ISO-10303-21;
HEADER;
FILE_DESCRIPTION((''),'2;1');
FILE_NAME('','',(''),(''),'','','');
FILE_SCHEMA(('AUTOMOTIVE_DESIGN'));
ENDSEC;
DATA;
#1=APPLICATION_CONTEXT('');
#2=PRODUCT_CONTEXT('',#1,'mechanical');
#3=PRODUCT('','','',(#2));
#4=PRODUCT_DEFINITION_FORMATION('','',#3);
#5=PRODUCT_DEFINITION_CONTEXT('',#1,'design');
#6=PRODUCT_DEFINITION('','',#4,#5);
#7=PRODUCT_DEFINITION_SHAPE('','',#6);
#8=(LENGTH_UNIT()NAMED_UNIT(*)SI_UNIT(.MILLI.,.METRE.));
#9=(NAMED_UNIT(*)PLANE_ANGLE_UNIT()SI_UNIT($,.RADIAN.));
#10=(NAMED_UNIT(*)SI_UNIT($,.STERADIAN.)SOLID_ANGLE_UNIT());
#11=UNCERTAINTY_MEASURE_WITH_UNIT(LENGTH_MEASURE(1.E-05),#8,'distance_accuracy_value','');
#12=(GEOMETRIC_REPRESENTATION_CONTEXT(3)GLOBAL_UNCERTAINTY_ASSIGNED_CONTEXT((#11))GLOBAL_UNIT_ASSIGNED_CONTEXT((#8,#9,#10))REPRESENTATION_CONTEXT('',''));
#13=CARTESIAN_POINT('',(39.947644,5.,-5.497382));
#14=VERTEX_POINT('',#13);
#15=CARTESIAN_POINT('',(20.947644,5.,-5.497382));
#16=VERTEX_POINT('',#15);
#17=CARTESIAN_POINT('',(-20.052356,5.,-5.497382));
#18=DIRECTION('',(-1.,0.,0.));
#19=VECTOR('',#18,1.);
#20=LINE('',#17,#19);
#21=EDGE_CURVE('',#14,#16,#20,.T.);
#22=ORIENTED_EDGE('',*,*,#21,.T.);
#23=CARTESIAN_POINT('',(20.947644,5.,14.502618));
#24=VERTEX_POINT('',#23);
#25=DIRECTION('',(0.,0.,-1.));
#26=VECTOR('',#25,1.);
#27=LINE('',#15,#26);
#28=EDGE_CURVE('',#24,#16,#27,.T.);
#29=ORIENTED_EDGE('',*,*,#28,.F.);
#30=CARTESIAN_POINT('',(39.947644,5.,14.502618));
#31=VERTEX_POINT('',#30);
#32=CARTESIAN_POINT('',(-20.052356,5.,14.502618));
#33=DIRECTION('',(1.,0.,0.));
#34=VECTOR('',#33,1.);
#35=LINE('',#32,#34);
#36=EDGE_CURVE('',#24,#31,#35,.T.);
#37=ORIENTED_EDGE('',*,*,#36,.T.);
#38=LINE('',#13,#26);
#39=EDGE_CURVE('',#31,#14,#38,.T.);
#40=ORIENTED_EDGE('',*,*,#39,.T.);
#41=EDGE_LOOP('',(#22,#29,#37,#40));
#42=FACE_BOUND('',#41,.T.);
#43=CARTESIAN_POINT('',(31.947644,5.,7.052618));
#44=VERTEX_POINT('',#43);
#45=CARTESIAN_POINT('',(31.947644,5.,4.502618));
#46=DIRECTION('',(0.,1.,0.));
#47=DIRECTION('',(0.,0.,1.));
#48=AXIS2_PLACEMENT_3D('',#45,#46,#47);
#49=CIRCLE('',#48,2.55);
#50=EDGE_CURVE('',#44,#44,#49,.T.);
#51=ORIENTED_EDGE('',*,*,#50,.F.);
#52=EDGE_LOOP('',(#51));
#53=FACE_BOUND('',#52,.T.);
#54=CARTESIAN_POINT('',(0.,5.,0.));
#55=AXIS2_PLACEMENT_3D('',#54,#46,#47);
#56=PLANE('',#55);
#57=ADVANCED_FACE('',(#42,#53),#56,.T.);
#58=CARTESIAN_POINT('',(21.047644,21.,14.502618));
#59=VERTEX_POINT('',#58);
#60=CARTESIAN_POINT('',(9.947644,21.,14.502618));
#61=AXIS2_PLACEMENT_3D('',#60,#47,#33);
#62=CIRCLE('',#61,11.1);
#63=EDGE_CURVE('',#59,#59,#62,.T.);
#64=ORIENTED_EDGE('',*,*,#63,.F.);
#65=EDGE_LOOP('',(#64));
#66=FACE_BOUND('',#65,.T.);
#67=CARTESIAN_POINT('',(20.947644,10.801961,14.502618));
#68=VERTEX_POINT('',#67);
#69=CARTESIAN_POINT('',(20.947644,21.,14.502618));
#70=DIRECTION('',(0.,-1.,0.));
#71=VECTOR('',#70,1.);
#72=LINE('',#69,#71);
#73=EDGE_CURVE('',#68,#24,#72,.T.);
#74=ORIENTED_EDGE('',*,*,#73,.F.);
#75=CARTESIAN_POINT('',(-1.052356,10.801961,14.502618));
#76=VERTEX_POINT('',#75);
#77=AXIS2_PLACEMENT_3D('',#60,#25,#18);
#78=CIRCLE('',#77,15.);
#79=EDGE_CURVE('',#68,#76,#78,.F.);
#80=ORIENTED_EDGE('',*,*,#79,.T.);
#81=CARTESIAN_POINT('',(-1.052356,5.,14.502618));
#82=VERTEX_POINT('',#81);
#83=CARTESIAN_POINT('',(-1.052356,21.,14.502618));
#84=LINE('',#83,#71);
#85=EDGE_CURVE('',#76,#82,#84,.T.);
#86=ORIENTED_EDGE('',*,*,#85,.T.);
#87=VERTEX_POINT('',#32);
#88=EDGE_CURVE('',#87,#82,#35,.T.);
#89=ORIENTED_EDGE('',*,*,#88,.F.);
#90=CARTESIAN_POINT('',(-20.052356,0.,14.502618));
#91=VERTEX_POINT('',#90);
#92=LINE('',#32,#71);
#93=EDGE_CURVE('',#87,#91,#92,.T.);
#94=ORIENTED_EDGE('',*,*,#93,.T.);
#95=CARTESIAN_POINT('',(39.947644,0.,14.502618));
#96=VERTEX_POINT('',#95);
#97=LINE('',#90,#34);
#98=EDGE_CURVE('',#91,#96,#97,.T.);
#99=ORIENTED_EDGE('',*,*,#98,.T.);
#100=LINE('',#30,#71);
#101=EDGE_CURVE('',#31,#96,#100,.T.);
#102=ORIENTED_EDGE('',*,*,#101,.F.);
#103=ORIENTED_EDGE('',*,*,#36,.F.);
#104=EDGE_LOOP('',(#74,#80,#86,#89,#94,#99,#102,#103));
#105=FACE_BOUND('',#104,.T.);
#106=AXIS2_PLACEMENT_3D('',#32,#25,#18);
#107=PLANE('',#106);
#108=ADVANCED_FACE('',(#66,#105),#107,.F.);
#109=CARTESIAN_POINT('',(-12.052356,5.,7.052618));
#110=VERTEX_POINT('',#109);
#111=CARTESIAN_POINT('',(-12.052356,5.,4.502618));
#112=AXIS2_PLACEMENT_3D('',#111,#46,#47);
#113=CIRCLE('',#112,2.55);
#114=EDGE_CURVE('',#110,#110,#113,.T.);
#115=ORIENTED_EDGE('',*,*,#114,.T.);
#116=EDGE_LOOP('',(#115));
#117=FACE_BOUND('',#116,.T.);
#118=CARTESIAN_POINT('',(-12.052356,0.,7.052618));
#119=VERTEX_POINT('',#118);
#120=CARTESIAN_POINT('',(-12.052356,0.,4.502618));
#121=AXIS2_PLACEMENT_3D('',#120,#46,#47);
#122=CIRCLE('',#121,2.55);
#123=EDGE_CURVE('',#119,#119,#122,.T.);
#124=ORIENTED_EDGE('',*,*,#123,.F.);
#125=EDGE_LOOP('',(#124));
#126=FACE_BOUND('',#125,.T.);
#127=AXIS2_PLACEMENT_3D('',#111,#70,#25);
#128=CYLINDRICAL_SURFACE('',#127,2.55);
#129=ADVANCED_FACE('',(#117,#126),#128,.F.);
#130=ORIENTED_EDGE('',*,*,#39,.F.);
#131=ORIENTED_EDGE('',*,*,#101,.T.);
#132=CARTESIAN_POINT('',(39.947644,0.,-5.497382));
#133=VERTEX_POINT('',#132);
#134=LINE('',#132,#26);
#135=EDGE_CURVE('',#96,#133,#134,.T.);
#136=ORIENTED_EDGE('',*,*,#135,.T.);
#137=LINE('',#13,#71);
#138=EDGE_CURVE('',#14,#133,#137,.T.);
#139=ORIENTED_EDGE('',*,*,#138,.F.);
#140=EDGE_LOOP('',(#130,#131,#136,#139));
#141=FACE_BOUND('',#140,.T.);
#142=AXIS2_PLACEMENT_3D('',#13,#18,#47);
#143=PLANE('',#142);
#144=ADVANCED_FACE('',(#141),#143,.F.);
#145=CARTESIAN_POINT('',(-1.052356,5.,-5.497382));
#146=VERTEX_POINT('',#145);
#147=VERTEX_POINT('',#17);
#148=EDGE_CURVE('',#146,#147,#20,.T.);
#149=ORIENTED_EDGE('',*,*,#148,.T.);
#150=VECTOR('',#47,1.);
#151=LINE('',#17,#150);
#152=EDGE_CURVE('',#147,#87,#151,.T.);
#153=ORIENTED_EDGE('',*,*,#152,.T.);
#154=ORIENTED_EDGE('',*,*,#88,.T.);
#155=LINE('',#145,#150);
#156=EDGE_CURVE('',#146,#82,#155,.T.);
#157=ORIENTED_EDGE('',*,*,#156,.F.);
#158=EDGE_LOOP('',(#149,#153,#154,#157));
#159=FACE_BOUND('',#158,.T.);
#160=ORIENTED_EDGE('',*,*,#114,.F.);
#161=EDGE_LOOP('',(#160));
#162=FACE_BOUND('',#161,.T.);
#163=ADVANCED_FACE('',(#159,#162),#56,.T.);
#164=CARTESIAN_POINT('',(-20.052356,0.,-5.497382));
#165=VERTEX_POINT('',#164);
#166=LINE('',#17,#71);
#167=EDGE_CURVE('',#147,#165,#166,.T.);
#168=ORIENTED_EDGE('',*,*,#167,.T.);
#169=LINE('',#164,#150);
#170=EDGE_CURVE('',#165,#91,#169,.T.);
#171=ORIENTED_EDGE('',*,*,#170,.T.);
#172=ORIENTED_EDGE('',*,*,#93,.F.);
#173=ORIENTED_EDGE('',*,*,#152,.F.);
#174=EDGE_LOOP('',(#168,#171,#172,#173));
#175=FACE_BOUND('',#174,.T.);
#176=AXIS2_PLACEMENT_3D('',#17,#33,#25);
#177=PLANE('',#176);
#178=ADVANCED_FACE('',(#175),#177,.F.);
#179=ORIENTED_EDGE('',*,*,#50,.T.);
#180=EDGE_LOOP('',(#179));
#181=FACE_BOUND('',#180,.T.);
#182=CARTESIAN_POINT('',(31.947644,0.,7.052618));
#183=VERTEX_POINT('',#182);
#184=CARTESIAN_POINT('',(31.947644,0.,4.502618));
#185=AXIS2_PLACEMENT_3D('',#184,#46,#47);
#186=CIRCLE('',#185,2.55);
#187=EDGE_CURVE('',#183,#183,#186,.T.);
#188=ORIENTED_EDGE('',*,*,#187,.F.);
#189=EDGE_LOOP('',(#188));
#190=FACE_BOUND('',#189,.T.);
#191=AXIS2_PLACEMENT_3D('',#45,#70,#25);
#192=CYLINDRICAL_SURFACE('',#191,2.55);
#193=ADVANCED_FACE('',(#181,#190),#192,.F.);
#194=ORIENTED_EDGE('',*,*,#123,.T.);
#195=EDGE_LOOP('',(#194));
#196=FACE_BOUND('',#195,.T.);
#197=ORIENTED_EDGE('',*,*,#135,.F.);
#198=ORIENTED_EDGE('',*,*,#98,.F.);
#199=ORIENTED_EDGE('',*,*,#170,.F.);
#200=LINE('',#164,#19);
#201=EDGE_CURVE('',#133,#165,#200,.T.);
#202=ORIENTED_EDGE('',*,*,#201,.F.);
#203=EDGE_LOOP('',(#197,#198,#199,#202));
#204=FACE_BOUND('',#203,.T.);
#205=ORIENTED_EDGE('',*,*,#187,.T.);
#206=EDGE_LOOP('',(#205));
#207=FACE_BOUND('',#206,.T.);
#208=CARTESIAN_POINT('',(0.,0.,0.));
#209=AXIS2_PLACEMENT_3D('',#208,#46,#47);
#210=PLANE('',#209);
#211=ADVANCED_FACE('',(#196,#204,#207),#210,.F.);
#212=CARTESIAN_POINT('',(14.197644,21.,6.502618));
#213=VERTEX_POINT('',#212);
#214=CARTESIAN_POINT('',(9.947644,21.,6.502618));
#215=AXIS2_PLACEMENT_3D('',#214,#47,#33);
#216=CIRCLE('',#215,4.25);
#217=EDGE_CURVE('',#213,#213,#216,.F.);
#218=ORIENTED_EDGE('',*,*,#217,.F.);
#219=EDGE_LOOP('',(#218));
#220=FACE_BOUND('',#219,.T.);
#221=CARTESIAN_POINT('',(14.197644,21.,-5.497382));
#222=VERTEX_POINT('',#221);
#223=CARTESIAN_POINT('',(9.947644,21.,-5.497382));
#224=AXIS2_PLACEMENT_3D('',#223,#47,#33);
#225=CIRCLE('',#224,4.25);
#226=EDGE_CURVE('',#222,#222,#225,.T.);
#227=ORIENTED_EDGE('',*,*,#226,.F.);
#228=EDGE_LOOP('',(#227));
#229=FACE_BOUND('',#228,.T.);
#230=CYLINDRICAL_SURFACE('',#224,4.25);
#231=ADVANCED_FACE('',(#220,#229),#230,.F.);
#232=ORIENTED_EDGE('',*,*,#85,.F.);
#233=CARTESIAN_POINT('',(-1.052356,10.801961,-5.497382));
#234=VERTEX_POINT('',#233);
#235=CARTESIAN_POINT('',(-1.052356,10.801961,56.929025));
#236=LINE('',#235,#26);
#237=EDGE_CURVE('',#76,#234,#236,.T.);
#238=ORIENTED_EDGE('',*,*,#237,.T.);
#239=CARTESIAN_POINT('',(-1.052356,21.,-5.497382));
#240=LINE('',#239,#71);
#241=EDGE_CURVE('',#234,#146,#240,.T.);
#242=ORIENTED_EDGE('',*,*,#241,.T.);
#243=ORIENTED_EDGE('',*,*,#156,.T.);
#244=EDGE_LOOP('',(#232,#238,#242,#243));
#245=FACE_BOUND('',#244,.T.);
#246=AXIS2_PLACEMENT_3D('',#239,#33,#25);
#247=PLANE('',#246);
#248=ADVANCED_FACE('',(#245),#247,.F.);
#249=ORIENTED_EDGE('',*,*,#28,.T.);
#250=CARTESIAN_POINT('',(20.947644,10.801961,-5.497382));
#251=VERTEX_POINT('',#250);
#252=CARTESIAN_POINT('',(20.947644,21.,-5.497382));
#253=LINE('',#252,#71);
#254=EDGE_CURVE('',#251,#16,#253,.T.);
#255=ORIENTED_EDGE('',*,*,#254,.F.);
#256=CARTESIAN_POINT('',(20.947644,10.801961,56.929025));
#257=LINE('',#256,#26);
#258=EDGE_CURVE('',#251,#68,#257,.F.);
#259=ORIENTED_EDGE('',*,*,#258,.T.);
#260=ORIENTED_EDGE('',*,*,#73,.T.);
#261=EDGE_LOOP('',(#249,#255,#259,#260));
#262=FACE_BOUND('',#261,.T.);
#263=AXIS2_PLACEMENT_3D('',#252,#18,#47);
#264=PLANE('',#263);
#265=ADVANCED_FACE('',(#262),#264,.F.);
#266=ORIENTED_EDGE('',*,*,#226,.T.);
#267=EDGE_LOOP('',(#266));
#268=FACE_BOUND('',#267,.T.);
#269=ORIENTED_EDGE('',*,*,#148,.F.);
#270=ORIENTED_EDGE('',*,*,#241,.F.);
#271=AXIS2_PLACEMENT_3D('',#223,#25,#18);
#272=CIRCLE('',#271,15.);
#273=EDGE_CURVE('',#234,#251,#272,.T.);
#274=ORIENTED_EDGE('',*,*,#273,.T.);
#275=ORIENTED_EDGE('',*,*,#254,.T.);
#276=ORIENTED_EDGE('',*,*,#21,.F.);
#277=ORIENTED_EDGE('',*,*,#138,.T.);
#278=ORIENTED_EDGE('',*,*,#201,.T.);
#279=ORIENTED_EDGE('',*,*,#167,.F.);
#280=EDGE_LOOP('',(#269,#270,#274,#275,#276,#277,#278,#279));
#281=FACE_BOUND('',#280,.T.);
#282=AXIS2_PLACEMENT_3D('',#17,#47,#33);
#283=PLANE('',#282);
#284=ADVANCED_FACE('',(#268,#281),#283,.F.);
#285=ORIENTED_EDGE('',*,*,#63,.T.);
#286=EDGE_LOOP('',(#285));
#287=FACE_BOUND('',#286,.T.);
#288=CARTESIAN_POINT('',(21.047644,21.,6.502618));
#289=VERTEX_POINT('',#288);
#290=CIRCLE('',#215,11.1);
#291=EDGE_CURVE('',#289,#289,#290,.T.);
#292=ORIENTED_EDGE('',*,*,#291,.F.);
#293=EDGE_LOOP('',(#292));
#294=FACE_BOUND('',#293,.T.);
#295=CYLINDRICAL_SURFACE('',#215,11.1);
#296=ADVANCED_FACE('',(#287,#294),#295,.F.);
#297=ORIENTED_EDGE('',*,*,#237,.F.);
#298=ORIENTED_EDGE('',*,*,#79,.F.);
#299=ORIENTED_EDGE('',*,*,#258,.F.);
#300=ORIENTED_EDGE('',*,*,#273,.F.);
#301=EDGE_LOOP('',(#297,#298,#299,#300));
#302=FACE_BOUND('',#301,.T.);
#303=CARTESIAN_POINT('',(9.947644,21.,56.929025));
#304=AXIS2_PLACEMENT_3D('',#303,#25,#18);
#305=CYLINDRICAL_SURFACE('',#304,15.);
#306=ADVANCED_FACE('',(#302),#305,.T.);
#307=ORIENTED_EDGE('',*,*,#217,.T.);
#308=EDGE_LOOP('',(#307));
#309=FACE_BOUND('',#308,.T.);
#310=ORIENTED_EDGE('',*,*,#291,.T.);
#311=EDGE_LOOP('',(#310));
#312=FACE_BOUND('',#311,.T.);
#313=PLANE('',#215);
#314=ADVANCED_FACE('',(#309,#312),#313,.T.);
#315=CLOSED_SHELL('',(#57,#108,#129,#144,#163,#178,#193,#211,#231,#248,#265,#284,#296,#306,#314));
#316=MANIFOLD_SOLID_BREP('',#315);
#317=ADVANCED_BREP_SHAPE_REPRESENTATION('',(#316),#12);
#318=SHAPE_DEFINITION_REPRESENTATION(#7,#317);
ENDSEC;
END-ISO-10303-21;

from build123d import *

# Parameters (mm, degrees)
SKETCH_1_W          = 60
SKETCH_1_H          = 20
SKETCH_1_R          = 2.55
EXTRUDE_1_DEPTH     = 5
SKETCH_3_W          = 22
SKETCH_3_H          = 20
EXTRUDE_2_DEPTH     = 16
SKETCH_4_R          = 15
EXTRUDE_3_DEPTH     = 20
SKETCH_5_R          = 4.25
CUT_EXTRUDE_1_DEPTH = 58.374334501
SKETCH_6_R          = 11.1
CUT_EXTRUDE_2_DEPTH = 8


with BuildPart() as part:
    # 草图1 → 凸台-拉伸1 (new body)
    with BuildSketch(Plane(origin=(0, 0, 0), x_dir=(1, 0, 0), z_dir=(0, 1, 0))):
        with Locations((9.947643979, -4.502617801)):
            Rectangle(SKETCH_1_W, SKETCH_1_H)
        with Locations(Location((-12.052356021, -4.502617801, 0), (0, 0, 270))):
            Circle(SKETCH_1_R, mode=Mode.SUBTRACT)
        with Locations(Location((31.947643979, -4.502617801, 0), (0, 0, 270))):
            Circle(SKETCH_1_R, mode=Mode.SUBTRACT)
    extrude(amount=EXTRUDE_1_DEPTH)

    # 草图3 → 凸台-拉伸2 (add)
    with BuildSketch(Plane(origin=(0, 5, 0), x_dir=(1, 0, 0), z_dir=(0, 1, 0))):
        with Locations((9.947643979, -4.502617801)):
            Rectangle(SKETCH_3_W, SKETCH_3_H)
    extrude(amount=EXTRUDE_2_DEPTH)

    # 草图4 → 凸台-拉伸3 (add)
    with BuildSketch(Plane(origin=(0, 0, -5.497382199), x_dir=(-1, 0, 0), z_dir=(0, 0, -1))):
        with Locations((-9.947643979, 21)):
            Circle(SKETCH_4_R)
    extrude(amount=-EXTRUDE_3_DEPTH)

    # 草图5 → 切除-拉伸1 (cut, through all)
    with BuildSketch(Plane.XY.offset(14.502617801)):
        with Locations((9.947643979, 21)):
            Circle(SKETCH_5_R)
    extrude(amount=-CUT_EXTRUDE_1_DEPTH, mode=Mode.SUBTRACT)

    # 草图6 → 切除-拉伸2 (cut)
    with BuildSketch(Plane.XY.offset(14.502617801)):
        with Locations((9.947643979, 21)):
            Circle(SKETCH_6_R)
    extrude(amount=-CUT_EXTRUDE_2_DEPTH, mode=Mode.SUBTRACT)


solid = part.part
